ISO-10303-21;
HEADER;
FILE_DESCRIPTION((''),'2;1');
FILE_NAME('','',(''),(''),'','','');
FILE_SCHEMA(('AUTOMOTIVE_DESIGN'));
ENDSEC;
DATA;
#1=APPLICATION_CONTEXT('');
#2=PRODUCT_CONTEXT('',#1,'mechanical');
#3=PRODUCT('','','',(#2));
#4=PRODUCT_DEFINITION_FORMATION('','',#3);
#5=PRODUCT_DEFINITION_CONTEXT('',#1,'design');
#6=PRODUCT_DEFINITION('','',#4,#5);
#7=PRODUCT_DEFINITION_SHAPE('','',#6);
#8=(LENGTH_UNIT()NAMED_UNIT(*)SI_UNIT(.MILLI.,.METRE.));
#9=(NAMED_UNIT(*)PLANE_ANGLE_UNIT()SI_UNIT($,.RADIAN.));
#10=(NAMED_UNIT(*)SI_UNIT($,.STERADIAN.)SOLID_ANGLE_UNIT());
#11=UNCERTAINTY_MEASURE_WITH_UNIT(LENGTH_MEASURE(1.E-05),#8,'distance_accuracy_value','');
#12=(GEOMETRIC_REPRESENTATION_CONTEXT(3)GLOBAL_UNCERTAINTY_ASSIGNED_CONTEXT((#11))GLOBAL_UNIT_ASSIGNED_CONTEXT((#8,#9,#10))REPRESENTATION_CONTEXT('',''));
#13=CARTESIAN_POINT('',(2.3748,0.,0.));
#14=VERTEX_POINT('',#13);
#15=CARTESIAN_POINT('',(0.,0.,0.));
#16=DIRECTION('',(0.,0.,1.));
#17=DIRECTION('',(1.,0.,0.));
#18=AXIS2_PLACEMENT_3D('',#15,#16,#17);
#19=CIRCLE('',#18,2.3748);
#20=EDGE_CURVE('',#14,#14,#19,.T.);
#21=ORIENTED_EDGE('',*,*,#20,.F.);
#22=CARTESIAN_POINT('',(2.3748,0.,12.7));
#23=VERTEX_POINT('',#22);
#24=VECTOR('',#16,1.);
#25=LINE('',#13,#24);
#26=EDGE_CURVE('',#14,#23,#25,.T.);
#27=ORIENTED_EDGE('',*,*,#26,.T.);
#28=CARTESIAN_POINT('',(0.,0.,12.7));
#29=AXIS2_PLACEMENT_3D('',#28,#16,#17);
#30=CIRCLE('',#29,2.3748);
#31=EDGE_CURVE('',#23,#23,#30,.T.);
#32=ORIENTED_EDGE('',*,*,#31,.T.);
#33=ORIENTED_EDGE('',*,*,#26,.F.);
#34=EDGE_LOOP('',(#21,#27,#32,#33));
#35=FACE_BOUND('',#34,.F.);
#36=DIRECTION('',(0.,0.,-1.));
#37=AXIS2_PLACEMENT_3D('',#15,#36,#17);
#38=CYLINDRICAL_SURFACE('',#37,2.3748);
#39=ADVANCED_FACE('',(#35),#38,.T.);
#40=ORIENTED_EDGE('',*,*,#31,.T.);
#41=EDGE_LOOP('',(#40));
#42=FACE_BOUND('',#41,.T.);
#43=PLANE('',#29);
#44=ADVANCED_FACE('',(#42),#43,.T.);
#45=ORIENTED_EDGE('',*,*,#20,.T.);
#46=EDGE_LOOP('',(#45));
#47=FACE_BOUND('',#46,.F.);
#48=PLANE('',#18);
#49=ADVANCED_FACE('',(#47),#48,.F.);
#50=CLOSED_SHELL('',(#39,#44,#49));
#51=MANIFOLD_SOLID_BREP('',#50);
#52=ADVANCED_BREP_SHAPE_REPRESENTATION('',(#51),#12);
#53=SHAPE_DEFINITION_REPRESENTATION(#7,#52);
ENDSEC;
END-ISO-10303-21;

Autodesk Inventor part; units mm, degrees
ref_plane "YZ Plane" through (0, 0, 0) normal (1, 0, 0) x (0, 1, 0)
ref_plane "XZ Plane" through (0, 0, 0) normal (0, 1, 0) x (-1, 0, 0)
ref_plane "XY Plane" through (0, 0, 0) normal (0, 0, 1) x (1, 0, 0)
sketch "Sketch1" plane through (0, 0, 0) normal (0, 0, 1) x (1, 0, 0)
  circle A0 centre (0, 0) radius 2.3748
  dimension "d0" = 12.7
extrude "Extrusion1" add sketch "Sketch1" along normal blind 12.7
properties part number "GRIPPER3"
